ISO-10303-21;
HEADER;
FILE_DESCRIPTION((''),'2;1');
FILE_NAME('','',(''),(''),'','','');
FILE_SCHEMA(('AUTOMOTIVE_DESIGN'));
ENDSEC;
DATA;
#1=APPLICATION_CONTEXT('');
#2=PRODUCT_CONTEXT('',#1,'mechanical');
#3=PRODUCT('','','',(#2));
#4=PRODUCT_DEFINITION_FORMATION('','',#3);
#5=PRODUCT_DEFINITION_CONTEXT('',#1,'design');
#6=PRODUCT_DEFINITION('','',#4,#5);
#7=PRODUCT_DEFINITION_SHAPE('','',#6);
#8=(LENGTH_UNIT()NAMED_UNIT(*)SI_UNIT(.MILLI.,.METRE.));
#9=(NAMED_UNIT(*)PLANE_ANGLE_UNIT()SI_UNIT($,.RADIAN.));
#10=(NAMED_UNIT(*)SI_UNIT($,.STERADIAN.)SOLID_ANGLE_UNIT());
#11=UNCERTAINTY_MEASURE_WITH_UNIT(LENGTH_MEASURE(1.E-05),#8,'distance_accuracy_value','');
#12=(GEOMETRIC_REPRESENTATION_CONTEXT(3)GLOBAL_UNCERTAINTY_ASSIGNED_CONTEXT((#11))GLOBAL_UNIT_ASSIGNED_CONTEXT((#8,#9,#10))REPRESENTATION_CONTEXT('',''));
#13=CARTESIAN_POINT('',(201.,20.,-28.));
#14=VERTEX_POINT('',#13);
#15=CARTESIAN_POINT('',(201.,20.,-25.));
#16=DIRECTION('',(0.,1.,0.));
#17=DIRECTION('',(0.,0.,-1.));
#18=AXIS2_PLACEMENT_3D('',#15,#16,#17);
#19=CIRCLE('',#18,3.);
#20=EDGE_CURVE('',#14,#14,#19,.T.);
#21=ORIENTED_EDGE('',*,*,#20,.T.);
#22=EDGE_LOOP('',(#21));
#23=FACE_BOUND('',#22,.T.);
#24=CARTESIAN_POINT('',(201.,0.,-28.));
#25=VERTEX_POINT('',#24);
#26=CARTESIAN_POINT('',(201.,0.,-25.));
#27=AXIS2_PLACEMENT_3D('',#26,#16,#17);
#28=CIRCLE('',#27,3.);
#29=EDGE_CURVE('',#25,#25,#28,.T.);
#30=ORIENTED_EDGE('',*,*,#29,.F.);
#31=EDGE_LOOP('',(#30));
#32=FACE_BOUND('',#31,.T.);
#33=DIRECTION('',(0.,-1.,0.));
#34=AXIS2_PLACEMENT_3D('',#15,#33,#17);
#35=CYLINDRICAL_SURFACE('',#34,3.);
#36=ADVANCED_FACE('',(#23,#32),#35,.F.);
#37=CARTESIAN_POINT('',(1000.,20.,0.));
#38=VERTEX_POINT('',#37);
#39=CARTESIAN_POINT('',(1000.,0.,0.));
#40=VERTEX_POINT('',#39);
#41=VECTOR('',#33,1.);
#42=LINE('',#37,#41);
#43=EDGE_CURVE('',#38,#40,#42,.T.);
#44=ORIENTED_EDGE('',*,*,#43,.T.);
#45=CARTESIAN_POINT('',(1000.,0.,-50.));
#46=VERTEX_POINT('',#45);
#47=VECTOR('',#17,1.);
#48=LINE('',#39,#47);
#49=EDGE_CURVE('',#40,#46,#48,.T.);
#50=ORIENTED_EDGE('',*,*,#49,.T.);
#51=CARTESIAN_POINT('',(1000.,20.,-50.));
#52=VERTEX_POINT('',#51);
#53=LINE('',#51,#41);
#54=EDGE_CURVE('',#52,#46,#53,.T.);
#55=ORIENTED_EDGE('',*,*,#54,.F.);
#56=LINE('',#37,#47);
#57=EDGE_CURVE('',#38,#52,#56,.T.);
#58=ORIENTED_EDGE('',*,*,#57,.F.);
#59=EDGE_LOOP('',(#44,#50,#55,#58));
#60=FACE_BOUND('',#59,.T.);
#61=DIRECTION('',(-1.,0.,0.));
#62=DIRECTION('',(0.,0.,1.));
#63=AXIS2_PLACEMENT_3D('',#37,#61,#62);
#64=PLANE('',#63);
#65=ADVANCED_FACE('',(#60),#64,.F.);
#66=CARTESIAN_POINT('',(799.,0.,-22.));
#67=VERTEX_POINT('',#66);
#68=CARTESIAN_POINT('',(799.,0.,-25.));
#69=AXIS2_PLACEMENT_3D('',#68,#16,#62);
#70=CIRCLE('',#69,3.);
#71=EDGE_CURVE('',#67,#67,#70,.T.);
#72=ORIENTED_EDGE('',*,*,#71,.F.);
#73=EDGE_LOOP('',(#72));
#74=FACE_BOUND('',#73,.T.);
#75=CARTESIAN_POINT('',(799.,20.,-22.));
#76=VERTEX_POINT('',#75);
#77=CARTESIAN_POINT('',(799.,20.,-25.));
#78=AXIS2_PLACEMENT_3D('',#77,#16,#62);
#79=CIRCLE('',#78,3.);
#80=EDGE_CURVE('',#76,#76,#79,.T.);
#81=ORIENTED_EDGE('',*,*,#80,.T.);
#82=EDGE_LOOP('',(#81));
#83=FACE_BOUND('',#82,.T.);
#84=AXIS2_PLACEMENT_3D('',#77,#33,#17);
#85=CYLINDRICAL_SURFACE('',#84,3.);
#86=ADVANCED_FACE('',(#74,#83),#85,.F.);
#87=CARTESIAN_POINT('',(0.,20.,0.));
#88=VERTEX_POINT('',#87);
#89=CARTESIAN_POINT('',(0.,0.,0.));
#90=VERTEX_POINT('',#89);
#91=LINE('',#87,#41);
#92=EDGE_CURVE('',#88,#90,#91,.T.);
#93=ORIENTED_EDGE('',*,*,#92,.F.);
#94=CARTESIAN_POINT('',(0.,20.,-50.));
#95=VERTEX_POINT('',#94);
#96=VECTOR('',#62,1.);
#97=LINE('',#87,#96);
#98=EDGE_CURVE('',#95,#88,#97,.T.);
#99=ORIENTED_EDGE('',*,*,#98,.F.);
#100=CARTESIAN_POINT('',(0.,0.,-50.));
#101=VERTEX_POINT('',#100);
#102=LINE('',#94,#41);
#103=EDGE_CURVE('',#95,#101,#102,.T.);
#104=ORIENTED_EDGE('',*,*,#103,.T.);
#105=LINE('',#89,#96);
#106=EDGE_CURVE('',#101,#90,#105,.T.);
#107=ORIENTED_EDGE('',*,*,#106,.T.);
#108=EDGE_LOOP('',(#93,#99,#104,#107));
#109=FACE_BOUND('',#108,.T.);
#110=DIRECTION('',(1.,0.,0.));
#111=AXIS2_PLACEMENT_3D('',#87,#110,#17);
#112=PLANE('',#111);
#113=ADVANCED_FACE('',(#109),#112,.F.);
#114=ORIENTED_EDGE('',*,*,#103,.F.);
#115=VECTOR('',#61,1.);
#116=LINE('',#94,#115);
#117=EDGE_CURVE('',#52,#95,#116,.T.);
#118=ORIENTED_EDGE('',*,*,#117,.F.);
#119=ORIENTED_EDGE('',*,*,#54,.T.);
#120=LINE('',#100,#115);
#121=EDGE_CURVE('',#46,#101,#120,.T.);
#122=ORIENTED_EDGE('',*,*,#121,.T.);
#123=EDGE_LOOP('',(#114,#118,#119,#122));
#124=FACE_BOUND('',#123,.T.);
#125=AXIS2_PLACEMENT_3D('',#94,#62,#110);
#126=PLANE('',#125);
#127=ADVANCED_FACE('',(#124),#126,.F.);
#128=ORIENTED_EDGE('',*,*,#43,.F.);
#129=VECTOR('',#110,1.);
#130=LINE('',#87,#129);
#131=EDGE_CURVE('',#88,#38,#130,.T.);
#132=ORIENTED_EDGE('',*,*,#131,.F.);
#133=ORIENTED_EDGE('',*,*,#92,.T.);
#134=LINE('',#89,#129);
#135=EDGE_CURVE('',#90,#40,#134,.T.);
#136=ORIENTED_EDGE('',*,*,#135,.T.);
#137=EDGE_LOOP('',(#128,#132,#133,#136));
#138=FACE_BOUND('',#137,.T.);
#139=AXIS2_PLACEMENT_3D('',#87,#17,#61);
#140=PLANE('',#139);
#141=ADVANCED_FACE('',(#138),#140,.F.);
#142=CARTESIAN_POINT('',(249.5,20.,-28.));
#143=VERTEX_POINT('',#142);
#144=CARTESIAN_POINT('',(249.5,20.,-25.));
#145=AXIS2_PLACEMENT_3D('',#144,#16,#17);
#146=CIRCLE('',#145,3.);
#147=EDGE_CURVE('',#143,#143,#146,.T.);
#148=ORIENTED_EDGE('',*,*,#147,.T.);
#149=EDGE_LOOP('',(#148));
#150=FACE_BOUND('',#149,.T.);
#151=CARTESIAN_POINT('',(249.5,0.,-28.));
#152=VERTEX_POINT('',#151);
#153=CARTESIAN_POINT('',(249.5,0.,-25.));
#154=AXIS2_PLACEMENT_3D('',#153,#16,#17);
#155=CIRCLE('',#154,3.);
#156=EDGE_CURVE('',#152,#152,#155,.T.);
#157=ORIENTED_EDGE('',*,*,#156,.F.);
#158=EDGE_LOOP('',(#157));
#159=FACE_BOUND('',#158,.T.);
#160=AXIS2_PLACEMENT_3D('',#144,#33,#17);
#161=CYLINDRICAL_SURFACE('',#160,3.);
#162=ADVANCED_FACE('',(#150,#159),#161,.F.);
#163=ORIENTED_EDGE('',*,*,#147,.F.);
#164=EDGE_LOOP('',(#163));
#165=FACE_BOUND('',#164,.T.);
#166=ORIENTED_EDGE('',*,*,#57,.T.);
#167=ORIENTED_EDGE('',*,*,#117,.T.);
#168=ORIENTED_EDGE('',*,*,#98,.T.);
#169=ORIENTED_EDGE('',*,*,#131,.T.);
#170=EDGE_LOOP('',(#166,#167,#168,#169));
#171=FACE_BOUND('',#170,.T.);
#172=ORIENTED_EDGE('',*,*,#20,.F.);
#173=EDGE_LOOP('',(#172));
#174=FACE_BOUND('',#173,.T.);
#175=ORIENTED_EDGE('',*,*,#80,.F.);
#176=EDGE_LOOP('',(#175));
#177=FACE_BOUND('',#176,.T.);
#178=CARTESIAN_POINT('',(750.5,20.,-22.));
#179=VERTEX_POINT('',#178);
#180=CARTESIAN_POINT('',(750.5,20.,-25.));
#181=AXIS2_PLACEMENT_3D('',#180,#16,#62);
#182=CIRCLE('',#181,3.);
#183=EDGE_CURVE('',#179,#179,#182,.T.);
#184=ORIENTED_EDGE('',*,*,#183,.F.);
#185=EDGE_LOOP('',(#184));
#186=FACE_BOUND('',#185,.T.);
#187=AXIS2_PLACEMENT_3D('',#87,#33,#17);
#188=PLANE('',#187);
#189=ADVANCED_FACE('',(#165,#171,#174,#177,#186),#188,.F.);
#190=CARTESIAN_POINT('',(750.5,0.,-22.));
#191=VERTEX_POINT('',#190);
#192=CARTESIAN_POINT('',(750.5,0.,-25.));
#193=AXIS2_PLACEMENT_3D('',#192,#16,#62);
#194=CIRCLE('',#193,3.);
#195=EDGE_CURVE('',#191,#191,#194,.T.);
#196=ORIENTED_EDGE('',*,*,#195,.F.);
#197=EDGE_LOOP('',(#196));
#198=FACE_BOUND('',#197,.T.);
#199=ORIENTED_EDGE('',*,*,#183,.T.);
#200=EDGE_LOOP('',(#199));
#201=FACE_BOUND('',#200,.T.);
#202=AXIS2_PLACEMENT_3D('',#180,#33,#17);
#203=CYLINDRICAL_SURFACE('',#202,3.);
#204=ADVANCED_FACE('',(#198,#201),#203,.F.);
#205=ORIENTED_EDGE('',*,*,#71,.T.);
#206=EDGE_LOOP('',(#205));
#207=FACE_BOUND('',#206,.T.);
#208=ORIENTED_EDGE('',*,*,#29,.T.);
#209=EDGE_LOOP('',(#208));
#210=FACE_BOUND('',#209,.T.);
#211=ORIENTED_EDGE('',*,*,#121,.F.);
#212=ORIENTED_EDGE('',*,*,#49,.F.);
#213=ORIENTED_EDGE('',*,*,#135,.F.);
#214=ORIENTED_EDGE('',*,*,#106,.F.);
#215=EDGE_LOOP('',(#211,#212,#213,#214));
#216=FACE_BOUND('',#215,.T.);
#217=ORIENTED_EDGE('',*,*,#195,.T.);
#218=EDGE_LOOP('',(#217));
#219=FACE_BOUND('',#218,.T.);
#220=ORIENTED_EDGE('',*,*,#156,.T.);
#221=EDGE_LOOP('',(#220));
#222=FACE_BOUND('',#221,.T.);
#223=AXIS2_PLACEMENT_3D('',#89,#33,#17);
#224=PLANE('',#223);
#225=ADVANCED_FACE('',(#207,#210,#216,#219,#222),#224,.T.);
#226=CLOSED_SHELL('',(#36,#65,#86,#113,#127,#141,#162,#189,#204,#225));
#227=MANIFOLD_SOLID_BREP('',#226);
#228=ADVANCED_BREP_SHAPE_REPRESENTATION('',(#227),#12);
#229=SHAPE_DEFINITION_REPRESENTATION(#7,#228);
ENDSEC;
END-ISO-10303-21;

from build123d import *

# Parameters (mm, degrees)
SKETCH_1_W      = 1000
SKETCH_1_H      = 50
SKETCH_1_R      = 3
EXTRUDE_1_DEPTH = 20


with BuildPart() as part:
    # 草图1 → 凸台-拉伸1 (new body)
    with BuildSketch(Plane(origin=(0, 0, 0), x_dir=(1, 0, 0), z_dir=(0, 1, 0))):
        with Locations((500, 25)):
            Rectangle(SKETCH_1_W, SKETCH_1_H)
        with Locations(Location((799, 25, 0), (0, 0, 270))):
            Circle(SKETCH_1_R, mode=Mode.SUBTRACT)
        with Locations(Location((750.5, 25, 0), (0, 0, 270))):
            Circle(SKETCH_1_R, mode=Mode.SUBTRACT)
        with Locations(Location((201, 25, 0), (0, 0, 90))):
            Circle(SKETCH_1_R, mode=Mode.SUBTRACT)
        with Locations(Location((249.5, 25, 0), (0, 0, 90))):
            Circle(SKETCH_1_R, mode=Mode.SUBTRACT)
    extrude(amount=EXTRUDE_1_DEPTH)


solid = part.part
